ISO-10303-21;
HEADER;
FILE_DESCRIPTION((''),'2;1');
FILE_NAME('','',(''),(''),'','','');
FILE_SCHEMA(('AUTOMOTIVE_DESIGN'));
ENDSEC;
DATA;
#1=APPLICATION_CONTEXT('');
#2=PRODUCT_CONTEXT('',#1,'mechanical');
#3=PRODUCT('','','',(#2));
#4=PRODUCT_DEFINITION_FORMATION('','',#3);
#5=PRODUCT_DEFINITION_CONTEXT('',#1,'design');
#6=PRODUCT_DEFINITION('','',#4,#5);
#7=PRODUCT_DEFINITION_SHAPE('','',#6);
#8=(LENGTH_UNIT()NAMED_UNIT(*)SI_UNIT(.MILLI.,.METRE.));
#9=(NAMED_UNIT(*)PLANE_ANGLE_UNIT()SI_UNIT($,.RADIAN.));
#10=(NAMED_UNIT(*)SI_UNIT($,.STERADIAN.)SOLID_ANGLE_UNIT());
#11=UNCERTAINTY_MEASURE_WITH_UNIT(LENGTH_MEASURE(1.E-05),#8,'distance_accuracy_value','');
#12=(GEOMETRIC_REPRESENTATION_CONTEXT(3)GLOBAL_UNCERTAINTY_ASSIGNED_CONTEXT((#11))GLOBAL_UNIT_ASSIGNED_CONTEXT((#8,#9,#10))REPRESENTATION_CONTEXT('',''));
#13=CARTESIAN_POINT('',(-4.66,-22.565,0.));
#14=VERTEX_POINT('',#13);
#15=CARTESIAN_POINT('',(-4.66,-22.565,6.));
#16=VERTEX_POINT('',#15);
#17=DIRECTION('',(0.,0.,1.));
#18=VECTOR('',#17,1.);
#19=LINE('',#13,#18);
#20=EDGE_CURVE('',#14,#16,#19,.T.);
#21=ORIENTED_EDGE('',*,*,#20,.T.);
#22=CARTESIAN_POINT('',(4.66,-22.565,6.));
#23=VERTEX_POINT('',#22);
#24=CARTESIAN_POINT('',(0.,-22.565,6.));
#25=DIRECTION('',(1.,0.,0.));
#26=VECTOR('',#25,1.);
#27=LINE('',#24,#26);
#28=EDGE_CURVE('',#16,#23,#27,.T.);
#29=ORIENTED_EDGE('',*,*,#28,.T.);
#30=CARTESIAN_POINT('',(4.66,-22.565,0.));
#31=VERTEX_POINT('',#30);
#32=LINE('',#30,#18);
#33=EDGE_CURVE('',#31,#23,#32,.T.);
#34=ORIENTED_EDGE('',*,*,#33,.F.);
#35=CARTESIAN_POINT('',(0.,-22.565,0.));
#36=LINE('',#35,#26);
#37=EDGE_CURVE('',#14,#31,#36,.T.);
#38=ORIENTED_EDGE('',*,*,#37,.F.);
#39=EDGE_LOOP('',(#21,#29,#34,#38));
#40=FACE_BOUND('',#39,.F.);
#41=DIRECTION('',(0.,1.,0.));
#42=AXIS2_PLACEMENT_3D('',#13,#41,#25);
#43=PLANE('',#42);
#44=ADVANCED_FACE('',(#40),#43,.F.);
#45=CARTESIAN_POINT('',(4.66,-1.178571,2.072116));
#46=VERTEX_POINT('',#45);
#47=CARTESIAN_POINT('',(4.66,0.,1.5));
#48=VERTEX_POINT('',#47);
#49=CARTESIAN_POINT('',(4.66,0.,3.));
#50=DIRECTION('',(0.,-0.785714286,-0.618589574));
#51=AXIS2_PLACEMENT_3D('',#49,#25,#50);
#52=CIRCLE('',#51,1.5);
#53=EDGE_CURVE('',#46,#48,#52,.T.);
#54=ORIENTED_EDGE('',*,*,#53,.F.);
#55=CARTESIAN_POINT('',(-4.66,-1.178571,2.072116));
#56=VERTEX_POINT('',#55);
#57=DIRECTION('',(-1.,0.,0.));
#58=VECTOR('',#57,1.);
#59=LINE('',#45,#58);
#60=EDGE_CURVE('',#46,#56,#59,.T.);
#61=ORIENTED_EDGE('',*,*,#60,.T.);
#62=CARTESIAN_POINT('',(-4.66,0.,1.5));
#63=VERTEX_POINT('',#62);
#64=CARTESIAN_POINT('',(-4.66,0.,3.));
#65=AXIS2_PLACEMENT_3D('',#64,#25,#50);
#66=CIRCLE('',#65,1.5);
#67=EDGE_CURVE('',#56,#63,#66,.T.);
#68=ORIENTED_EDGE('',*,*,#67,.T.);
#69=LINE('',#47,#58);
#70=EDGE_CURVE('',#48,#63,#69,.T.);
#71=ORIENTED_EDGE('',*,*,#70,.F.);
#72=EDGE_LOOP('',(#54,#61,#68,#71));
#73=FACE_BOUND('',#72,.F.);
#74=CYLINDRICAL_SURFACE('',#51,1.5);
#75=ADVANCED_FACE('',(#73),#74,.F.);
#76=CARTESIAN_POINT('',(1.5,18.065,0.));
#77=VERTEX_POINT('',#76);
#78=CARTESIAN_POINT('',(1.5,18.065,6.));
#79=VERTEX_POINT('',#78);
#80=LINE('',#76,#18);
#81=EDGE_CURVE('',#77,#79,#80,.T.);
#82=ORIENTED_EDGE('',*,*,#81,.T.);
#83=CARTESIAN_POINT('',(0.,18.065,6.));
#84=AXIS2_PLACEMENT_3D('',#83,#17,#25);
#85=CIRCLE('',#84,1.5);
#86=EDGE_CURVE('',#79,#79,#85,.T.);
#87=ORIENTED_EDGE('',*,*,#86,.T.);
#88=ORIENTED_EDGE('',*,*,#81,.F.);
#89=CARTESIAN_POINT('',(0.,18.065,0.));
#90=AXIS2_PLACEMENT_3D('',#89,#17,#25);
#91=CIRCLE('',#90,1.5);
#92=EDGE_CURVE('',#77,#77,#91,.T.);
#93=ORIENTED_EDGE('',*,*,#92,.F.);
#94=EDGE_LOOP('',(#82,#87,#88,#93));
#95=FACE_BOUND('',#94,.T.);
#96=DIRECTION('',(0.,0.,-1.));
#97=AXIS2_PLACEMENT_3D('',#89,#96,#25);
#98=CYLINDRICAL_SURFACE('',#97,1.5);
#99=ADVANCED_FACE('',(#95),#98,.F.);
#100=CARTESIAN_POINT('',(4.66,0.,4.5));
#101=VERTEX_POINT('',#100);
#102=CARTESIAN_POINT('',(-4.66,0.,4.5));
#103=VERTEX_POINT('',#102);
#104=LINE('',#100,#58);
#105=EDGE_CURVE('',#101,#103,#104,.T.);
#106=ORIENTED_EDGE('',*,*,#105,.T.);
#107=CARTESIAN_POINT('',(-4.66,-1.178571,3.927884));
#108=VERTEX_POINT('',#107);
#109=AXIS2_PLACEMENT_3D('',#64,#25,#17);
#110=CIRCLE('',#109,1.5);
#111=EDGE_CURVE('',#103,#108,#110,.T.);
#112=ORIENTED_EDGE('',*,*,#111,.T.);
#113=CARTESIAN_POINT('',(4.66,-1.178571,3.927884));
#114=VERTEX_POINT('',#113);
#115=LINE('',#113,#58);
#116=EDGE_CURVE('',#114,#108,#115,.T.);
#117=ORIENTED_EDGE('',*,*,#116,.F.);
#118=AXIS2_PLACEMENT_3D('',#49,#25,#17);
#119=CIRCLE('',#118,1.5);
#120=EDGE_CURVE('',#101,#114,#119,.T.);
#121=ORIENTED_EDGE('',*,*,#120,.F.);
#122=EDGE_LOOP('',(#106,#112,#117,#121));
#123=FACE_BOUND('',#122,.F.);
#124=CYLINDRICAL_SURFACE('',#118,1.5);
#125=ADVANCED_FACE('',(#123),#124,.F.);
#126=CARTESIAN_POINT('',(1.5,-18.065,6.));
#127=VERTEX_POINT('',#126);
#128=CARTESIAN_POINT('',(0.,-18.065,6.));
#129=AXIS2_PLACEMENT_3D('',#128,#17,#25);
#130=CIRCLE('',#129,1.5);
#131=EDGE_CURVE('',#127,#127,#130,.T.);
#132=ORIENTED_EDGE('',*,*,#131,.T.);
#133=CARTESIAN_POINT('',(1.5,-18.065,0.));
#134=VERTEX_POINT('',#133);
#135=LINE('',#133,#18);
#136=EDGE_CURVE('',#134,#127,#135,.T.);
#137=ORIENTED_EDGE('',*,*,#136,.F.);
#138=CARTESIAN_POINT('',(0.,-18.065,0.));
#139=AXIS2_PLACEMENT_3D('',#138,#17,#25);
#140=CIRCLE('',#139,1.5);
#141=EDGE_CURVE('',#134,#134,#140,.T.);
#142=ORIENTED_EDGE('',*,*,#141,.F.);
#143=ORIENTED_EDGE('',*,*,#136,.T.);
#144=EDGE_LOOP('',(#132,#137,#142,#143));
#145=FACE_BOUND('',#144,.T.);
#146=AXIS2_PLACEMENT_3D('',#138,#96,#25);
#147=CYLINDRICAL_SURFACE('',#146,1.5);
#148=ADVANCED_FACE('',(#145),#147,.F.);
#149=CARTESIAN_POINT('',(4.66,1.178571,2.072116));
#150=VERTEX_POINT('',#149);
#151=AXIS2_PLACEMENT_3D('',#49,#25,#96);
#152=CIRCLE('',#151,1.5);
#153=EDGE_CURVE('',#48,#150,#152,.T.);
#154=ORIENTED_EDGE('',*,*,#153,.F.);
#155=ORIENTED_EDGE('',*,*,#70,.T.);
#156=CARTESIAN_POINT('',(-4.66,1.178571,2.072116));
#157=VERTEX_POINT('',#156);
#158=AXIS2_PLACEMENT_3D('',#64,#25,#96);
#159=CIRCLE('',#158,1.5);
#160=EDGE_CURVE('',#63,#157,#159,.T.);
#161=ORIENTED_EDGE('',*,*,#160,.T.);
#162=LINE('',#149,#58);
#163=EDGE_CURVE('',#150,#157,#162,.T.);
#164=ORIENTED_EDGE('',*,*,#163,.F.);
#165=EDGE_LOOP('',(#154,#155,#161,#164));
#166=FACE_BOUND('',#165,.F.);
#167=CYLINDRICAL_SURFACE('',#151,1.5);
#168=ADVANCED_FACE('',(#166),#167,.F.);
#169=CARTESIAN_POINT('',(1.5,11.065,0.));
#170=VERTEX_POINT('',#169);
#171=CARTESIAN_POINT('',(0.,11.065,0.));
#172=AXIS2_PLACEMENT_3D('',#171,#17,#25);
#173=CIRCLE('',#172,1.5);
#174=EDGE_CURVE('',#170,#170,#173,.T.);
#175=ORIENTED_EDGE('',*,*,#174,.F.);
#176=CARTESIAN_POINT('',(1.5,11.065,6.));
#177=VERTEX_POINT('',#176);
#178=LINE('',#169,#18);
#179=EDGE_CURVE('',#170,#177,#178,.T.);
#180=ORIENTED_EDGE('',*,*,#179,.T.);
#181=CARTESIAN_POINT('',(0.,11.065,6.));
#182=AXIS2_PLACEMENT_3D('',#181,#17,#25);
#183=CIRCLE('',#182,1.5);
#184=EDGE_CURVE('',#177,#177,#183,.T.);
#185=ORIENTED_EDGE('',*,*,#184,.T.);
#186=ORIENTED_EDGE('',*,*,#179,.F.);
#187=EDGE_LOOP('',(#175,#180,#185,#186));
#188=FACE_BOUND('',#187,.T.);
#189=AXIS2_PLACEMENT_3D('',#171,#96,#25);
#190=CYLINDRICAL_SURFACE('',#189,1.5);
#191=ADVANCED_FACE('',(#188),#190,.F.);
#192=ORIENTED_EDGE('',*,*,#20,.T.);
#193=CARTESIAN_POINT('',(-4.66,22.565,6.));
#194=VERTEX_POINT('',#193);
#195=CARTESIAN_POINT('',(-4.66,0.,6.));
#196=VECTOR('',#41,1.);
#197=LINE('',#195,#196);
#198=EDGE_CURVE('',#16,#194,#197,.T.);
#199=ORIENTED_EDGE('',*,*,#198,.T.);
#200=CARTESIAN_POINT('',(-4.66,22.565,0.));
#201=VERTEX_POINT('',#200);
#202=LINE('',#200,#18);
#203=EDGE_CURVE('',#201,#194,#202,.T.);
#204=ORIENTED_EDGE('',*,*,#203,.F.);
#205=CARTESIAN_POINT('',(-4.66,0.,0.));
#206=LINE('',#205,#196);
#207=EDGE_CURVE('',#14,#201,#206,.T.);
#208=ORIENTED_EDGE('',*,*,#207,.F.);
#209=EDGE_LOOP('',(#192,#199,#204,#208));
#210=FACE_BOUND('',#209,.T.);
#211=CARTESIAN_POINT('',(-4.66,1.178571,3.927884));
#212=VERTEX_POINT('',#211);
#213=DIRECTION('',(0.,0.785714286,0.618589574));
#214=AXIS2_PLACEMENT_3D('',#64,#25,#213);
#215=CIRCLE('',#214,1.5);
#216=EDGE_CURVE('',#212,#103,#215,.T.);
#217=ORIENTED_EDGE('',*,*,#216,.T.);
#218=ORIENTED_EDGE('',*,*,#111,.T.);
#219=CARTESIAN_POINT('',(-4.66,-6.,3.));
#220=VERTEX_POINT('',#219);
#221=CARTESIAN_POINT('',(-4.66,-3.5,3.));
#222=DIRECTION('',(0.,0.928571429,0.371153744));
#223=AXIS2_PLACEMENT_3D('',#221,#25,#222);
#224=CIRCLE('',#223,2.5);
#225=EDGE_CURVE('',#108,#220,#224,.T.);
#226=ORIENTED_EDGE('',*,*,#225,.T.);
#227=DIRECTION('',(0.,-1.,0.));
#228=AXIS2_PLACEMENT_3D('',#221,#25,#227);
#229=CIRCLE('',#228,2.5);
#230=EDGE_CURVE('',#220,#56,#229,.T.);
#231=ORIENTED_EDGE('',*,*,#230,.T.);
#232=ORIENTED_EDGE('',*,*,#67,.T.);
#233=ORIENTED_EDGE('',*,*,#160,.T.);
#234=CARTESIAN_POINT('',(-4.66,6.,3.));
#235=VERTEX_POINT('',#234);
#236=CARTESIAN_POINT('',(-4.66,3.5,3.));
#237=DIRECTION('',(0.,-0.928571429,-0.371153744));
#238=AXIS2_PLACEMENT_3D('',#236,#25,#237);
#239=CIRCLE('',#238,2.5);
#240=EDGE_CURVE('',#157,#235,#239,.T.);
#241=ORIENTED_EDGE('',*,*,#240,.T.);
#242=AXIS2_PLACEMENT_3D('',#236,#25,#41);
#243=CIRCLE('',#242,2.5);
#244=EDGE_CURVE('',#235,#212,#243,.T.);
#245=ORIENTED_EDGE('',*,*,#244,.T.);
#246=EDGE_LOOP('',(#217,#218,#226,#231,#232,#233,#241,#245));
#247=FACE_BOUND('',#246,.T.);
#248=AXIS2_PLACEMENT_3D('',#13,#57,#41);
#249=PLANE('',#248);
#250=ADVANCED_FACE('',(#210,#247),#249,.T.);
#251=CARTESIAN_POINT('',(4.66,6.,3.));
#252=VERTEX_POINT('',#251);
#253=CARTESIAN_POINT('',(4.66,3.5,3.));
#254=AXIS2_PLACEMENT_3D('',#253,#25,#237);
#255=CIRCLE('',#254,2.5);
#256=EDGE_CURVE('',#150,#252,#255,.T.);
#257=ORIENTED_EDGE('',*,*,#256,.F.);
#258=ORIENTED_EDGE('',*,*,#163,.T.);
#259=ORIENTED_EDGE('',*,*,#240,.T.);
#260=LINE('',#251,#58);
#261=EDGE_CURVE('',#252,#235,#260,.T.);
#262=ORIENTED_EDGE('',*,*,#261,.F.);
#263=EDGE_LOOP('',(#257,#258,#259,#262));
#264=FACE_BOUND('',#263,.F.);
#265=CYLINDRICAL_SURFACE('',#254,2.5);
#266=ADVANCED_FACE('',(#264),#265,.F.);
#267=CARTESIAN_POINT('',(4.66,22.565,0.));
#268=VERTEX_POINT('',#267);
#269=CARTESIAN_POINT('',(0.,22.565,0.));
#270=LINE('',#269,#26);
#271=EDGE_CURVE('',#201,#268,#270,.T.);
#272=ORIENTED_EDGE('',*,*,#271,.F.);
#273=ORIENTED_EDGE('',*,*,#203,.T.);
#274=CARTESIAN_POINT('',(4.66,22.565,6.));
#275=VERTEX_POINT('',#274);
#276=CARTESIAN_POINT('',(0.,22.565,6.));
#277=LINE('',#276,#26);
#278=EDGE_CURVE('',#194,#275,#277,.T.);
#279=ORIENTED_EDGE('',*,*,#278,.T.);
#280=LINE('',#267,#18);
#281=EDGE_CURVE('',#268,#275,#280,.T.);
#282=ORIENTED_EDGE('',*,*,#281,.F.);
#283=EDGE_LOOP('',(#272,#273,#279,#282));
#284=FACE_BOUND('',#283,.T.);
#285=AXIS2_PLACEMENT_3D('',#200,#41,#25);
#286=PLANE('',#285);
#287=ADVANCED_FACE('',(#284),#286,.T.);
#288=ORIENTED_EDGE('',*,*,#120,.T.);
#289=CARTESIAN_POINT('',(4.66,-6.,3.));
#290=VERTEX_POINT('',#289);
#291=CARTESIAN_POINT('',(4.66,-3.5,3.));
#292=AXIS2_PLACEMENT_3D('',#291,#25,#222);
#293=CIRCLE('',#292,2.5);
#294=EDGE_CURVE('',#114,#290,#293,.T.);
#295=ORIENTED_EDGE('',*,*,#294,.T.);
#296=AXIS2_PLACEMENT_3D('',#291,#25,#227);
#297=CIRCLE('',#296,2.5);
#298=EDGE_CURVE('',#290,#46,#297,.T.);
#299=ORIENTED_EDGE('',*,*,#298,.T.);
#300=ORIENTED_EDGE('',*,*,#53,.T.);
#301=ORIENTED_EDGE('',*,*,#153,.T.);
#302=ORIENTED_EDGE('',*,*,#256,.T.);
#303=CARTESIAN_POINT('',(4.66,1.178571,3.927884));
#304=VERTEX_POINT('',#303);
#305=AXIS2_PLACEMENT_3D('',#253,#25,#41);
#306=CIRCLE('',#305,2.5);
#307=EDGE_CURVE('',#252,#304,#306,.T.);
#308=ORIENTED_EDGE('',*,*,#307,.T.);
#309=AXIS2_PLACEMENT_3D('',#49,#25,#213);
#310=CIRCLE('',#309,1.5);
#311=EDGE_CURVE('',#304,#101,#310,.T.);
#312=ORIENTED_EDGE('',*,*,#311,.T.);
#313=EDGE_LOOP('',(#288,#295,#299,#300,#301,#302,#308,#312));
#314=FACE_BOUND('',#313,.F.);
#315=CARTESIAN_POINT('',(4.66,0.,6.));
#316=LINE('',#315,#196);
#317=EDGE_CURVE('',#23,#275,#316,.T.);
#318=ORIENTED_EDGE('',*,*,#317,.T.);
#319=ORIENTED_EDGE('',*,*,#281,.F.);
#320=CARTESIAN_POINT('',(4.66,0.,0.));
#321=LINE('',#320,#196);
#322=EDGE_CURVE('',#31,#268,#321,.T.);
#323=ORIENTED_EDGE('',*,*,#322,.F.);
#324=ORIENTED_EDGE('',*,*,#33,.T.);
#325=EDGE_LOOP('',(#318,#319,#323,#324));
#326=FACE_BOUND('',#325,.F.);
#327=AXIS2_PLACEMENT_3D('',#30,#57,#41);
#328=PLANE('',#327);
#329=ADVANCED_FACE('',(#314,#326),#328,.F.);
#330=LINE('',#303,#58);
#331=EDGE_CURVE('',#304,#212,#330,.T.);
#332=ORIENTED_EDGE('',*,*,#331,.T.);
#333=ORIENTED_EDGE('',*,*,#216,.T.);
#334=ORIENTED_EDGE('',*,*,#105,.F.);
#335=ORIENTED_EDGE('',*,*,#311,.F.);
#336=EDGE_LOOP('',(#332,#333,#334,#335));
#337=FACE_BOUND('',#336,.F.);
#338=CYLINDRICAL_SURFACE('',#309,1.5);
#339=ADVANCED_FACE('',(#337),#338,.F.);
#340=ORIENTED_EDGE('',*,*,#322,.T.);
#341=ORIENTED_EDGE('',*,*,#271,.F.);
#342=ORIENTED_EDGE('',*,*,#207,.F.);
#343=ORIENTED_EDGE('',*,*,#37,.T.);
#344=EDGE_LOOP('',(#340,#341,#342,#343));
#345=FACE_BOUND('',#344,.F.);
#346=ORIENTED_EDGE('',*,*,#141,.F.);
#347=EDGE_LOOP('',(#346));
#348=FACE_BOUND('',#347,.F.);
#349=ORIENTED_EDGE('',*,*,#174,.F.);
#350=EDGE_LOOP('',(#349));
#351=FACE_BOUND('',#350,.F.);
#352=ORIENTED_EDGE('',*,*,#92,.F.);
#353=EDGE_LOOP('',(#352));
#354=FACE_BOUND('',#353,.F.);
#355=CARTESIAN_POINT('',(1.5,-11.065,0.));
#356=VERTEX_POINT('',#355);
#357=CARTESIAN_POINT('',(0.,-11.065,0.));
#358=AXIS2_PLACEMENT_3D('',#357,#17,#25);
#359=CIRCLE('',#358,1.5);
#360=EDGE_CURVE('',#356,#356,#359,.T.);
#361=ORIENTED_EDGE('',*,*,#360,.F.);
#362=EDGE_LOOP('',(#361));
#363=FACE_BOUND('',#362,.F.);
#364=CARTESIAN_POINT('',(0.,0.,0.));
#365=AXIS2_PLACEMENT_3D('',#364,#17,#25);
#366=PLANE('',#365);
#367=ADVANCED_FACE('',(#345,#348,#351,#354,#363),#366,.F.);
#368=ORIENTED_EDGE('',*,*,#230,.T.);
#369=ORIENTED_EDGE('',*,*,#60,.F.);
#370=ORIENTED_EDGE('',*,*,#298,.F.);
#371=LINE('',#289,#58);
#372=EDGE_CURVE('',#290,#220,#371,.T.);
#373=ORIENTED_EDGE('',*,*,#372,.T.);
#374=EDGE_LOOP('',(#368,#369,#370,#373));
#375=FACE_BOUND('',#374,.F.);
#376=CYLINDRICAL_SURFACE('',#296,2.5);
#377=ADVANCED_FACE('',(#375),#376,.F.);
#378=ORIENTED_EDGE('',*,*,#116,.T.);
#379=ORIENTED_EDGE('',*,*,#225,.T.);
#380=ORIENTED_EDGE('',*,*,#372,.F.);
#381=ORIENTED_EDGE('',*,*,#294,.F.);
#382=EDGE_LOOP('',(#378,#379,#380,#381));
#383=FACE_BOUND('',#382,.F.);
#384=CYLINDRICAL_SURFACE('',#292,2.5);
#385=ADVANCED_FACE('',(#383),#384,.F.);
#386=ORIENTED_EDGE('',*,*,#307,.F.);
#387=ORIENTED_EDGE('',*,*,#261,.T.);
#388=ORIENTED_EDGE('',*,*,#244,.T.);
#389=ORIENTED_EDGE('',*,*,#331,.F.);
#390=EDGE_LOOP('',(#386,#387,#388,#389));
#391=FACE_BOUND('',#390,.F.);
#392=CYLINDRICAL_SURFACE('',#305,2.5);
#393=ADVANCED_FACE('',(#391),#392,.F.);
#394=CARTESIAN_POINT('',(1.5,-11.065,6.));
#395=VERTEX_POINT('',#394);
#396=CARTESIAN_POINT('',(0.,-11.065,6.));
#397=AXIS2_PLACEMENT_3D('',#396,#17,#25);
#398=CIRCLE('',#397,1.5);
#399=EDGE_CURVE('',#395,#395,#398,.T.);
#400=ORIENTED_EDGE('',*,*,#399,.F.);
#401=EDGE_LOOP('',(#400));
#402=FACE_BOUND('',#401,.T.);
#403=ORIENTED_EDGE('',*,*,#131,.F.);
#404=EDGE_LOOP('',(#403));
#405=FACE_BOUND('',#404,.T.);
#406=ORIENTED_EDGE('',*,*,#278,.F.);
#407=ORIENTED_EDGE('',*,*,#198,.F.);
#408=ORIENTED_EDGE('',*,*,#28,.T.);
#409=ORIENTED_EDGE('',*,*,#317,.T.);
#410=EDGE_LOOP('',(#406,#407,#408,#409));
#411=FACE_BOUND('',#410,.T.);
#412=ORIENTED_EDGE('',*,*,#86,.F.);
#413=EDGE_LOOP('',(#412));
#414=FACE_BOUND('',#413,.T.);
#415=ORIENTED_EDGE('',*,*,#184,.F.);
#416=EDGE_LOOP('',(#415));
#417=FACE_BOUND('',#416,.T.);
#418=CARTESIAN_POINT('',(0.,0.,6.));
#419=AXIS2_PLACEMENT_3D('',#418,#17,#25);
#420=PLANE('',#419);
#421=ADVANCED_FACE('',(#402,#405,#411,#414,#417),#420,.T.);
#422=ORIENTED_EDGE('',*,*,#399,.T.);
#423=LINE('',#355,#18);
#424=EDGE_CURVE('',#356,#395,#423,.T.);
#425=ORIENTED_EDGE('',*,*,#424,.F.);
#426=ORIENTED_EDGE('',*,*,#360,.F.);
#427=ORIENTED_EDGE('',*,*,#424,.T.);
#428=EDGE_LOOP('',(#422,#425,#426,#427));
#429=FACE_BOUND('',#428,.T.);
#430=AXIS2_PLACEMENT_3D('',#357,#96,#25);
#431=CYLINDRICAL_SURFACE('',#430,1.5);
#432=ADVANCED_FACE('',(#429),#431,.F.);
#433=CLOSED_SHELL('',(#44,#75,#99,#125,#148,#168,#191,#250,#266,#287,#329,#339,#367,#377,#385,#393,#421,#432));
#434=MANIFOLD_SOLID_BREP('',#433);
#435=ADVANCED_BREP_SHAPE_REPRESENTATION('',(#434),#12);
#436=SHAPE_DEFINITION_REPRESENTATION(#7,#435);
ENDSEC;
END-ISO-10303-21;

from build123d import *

# Parameters (mm, degrees)
F0_W     = 9.32
F0_H     = 45.13
F0_R     = 1.5
F1_DEPTH = 6
F3_DEPTH = 9.32


with BuildPart() as f1:
    # F0 (on Top) → F1 (new body)
    with BuildSketch(Plane.XY):
        Rectangle(F0_W, F0_H)
        with Locations((0, -18.065)):
            Circle(F0_R, mode=Mode.SUBTRACT)
        with Locations((0, -11.065)):
            Circle(F0_R, mode=Mode.SUBTRACT)
        with Locations((0, 11.065)):
            Circle(F0_R, mode=Mode.SUBTRACT)
        with Locations((0, 18.065)):
            Circle(F0_R, mode=Mode.SUBTRACT)
    extrude(amount=F1_DEPTH)

    # F2 (on face) → F3 (cut, through all)
    with BuildSketch(Plane.YZ.offset(4.66)):
        with BuildLine():
            ThreePointArc((1.1785714286, 3.9278843612), (1.4173667738, 3.490990253), (1.5, 3))
            Line((1.5, 3), (6, 3))
            ThreePointArc((6, 3), (3.9724555913, 5.4549512652), (1.1785714286, 3.9278843612))
        make_face()
        with BuildLine():
            ThreePointArc((1.5, 3), (1.4173667738, 2.509009747), (1.1785714286, 2.0721156388))
            ThreePointArc((1.1785714286, 2.0721156388), (3.9724555913, 0.5450487348), (6, 3))
            Line((6, 3), (1.5, 3))
        make_face()
        with BuildLine():
            Line((-6, 3), (-1.5, 3))
            ThreePointArc((-1.5, 3), (-1.4173667738, 3.490990253), (-1.1785714286, 3.9278843612))
            ThreePointArc((-1.1785714286, 3.9278843612), (-3.9724555913, 5.4549512652), (-6, 3))
        make_face()
        with BuildLine():
            ThreePointArc((-6, 3), (-3.9724555913, 0.5450487348), (-1.1785714286, 2.0721156388))
            ThreePointArc((-1.1785714286, 2.0721156388), (-1.4173667738, 2.509009747), (-1.5, 3))
            Line((-1.5, 3), (-6, 3))
        make_face()
        with BuildLine():
            Line((-1.5, 3), (-1, 3))
            ThreePointArc((-1, 3), (-1.0450487348, 3.4724555913), (-1.1785714286, 3.9278843612))
            ThreePointArc((-1.1785714286, 3.9278843612), (-1.4173667738, 3.490990253), (-1.5, 3))
        make_face()
        with BuildLine():
            ThreePointArc((-1.5, 3), (-1.4173667738, 2.509009747), (-1.1785714286, 2.0721156388))
            ThreePointArc((-1.1785714286, 2.0721156388), (-1.0450487348, 2.5275444087), (-1, 3))
            Line((-1, 3), (-1.5, 3))
        make_face()
        with BuildLine():
            Line((-1, 3), (0, 3))
            Line((0, 3), (0, 4.5))
            ThreePointArc((0, 4.5), (-0.6550471198, 4.3494121946), (-1.1785714286, 3.9278843612))
            ThreePointArc((-1.1785714286, 3.9278843612), (-1.0450487348, 3.4724555913), (-1, 3))
        make_face()
        with BuildLine():
            Line((0, 4.5), (0, 3))
            Line((0, 3), (1, 3))
            ThreePointArc((1, 3), (1.0450487348, 3.4724555913), (1.1785714286, 3.9278843612))
            ThreePointArc((1.1785714286, 3.9278843612), (0.6550471198, 4.3494121946), (0, 4.5))
        make_face()
        with BuildLine():
            ThreePointArc((1.1785714286, 3.9278843612), (1.0450487348, 3.4724555913), (1, 3))
            Line((1, 3), (1.5, 3))
            ThreePointArc((1.5, 3), (1.4173667738, 3.490990253), (1.1785714286, 3.9278843612))
        make_face()
        with BuildLine():
            ThreePointArc((1, 3), (1.0450487348, 2.5275444087), (1.1785714286, 2.0721156388))
            ThreePointArc((1.1785714286, 2.0721156388), (1.4173667738, 2.509009747), (1.5, 3))
            Line((1.5, 3), (1, 3))
        make_face()
        with BuildLine():
            Line((0, 3), (0, 1.5))
            ThreePointArc((0, 1.5), (0.6550471198, 1.6505878054), (1.1785714286, 2.0721156388))
            ThreePointArc((1.1785714286, 2.0721156388), (1.0450487348, 2.5275444087), (1, 3))
            Line((1, 3), (0, 3))
        make_face()
        with BuildLine():
            ThreePointArc((-1.1785714286, 2.0721156388), (-0.6550471198, 1.6505878054), (0, 1.5))
            Line((0, 1.5), (0, 3))
            Line((0, 3), (-1, 3))
            ThreePointArc((-1, 3), (-1.0450487348, 2.5275444087), (-1.1785714286, 2.0721156388))
        make_face()
    extrude(amount=-F3_DEPTH, mode=Mode.SUBTRACT)


solid = f1.part
